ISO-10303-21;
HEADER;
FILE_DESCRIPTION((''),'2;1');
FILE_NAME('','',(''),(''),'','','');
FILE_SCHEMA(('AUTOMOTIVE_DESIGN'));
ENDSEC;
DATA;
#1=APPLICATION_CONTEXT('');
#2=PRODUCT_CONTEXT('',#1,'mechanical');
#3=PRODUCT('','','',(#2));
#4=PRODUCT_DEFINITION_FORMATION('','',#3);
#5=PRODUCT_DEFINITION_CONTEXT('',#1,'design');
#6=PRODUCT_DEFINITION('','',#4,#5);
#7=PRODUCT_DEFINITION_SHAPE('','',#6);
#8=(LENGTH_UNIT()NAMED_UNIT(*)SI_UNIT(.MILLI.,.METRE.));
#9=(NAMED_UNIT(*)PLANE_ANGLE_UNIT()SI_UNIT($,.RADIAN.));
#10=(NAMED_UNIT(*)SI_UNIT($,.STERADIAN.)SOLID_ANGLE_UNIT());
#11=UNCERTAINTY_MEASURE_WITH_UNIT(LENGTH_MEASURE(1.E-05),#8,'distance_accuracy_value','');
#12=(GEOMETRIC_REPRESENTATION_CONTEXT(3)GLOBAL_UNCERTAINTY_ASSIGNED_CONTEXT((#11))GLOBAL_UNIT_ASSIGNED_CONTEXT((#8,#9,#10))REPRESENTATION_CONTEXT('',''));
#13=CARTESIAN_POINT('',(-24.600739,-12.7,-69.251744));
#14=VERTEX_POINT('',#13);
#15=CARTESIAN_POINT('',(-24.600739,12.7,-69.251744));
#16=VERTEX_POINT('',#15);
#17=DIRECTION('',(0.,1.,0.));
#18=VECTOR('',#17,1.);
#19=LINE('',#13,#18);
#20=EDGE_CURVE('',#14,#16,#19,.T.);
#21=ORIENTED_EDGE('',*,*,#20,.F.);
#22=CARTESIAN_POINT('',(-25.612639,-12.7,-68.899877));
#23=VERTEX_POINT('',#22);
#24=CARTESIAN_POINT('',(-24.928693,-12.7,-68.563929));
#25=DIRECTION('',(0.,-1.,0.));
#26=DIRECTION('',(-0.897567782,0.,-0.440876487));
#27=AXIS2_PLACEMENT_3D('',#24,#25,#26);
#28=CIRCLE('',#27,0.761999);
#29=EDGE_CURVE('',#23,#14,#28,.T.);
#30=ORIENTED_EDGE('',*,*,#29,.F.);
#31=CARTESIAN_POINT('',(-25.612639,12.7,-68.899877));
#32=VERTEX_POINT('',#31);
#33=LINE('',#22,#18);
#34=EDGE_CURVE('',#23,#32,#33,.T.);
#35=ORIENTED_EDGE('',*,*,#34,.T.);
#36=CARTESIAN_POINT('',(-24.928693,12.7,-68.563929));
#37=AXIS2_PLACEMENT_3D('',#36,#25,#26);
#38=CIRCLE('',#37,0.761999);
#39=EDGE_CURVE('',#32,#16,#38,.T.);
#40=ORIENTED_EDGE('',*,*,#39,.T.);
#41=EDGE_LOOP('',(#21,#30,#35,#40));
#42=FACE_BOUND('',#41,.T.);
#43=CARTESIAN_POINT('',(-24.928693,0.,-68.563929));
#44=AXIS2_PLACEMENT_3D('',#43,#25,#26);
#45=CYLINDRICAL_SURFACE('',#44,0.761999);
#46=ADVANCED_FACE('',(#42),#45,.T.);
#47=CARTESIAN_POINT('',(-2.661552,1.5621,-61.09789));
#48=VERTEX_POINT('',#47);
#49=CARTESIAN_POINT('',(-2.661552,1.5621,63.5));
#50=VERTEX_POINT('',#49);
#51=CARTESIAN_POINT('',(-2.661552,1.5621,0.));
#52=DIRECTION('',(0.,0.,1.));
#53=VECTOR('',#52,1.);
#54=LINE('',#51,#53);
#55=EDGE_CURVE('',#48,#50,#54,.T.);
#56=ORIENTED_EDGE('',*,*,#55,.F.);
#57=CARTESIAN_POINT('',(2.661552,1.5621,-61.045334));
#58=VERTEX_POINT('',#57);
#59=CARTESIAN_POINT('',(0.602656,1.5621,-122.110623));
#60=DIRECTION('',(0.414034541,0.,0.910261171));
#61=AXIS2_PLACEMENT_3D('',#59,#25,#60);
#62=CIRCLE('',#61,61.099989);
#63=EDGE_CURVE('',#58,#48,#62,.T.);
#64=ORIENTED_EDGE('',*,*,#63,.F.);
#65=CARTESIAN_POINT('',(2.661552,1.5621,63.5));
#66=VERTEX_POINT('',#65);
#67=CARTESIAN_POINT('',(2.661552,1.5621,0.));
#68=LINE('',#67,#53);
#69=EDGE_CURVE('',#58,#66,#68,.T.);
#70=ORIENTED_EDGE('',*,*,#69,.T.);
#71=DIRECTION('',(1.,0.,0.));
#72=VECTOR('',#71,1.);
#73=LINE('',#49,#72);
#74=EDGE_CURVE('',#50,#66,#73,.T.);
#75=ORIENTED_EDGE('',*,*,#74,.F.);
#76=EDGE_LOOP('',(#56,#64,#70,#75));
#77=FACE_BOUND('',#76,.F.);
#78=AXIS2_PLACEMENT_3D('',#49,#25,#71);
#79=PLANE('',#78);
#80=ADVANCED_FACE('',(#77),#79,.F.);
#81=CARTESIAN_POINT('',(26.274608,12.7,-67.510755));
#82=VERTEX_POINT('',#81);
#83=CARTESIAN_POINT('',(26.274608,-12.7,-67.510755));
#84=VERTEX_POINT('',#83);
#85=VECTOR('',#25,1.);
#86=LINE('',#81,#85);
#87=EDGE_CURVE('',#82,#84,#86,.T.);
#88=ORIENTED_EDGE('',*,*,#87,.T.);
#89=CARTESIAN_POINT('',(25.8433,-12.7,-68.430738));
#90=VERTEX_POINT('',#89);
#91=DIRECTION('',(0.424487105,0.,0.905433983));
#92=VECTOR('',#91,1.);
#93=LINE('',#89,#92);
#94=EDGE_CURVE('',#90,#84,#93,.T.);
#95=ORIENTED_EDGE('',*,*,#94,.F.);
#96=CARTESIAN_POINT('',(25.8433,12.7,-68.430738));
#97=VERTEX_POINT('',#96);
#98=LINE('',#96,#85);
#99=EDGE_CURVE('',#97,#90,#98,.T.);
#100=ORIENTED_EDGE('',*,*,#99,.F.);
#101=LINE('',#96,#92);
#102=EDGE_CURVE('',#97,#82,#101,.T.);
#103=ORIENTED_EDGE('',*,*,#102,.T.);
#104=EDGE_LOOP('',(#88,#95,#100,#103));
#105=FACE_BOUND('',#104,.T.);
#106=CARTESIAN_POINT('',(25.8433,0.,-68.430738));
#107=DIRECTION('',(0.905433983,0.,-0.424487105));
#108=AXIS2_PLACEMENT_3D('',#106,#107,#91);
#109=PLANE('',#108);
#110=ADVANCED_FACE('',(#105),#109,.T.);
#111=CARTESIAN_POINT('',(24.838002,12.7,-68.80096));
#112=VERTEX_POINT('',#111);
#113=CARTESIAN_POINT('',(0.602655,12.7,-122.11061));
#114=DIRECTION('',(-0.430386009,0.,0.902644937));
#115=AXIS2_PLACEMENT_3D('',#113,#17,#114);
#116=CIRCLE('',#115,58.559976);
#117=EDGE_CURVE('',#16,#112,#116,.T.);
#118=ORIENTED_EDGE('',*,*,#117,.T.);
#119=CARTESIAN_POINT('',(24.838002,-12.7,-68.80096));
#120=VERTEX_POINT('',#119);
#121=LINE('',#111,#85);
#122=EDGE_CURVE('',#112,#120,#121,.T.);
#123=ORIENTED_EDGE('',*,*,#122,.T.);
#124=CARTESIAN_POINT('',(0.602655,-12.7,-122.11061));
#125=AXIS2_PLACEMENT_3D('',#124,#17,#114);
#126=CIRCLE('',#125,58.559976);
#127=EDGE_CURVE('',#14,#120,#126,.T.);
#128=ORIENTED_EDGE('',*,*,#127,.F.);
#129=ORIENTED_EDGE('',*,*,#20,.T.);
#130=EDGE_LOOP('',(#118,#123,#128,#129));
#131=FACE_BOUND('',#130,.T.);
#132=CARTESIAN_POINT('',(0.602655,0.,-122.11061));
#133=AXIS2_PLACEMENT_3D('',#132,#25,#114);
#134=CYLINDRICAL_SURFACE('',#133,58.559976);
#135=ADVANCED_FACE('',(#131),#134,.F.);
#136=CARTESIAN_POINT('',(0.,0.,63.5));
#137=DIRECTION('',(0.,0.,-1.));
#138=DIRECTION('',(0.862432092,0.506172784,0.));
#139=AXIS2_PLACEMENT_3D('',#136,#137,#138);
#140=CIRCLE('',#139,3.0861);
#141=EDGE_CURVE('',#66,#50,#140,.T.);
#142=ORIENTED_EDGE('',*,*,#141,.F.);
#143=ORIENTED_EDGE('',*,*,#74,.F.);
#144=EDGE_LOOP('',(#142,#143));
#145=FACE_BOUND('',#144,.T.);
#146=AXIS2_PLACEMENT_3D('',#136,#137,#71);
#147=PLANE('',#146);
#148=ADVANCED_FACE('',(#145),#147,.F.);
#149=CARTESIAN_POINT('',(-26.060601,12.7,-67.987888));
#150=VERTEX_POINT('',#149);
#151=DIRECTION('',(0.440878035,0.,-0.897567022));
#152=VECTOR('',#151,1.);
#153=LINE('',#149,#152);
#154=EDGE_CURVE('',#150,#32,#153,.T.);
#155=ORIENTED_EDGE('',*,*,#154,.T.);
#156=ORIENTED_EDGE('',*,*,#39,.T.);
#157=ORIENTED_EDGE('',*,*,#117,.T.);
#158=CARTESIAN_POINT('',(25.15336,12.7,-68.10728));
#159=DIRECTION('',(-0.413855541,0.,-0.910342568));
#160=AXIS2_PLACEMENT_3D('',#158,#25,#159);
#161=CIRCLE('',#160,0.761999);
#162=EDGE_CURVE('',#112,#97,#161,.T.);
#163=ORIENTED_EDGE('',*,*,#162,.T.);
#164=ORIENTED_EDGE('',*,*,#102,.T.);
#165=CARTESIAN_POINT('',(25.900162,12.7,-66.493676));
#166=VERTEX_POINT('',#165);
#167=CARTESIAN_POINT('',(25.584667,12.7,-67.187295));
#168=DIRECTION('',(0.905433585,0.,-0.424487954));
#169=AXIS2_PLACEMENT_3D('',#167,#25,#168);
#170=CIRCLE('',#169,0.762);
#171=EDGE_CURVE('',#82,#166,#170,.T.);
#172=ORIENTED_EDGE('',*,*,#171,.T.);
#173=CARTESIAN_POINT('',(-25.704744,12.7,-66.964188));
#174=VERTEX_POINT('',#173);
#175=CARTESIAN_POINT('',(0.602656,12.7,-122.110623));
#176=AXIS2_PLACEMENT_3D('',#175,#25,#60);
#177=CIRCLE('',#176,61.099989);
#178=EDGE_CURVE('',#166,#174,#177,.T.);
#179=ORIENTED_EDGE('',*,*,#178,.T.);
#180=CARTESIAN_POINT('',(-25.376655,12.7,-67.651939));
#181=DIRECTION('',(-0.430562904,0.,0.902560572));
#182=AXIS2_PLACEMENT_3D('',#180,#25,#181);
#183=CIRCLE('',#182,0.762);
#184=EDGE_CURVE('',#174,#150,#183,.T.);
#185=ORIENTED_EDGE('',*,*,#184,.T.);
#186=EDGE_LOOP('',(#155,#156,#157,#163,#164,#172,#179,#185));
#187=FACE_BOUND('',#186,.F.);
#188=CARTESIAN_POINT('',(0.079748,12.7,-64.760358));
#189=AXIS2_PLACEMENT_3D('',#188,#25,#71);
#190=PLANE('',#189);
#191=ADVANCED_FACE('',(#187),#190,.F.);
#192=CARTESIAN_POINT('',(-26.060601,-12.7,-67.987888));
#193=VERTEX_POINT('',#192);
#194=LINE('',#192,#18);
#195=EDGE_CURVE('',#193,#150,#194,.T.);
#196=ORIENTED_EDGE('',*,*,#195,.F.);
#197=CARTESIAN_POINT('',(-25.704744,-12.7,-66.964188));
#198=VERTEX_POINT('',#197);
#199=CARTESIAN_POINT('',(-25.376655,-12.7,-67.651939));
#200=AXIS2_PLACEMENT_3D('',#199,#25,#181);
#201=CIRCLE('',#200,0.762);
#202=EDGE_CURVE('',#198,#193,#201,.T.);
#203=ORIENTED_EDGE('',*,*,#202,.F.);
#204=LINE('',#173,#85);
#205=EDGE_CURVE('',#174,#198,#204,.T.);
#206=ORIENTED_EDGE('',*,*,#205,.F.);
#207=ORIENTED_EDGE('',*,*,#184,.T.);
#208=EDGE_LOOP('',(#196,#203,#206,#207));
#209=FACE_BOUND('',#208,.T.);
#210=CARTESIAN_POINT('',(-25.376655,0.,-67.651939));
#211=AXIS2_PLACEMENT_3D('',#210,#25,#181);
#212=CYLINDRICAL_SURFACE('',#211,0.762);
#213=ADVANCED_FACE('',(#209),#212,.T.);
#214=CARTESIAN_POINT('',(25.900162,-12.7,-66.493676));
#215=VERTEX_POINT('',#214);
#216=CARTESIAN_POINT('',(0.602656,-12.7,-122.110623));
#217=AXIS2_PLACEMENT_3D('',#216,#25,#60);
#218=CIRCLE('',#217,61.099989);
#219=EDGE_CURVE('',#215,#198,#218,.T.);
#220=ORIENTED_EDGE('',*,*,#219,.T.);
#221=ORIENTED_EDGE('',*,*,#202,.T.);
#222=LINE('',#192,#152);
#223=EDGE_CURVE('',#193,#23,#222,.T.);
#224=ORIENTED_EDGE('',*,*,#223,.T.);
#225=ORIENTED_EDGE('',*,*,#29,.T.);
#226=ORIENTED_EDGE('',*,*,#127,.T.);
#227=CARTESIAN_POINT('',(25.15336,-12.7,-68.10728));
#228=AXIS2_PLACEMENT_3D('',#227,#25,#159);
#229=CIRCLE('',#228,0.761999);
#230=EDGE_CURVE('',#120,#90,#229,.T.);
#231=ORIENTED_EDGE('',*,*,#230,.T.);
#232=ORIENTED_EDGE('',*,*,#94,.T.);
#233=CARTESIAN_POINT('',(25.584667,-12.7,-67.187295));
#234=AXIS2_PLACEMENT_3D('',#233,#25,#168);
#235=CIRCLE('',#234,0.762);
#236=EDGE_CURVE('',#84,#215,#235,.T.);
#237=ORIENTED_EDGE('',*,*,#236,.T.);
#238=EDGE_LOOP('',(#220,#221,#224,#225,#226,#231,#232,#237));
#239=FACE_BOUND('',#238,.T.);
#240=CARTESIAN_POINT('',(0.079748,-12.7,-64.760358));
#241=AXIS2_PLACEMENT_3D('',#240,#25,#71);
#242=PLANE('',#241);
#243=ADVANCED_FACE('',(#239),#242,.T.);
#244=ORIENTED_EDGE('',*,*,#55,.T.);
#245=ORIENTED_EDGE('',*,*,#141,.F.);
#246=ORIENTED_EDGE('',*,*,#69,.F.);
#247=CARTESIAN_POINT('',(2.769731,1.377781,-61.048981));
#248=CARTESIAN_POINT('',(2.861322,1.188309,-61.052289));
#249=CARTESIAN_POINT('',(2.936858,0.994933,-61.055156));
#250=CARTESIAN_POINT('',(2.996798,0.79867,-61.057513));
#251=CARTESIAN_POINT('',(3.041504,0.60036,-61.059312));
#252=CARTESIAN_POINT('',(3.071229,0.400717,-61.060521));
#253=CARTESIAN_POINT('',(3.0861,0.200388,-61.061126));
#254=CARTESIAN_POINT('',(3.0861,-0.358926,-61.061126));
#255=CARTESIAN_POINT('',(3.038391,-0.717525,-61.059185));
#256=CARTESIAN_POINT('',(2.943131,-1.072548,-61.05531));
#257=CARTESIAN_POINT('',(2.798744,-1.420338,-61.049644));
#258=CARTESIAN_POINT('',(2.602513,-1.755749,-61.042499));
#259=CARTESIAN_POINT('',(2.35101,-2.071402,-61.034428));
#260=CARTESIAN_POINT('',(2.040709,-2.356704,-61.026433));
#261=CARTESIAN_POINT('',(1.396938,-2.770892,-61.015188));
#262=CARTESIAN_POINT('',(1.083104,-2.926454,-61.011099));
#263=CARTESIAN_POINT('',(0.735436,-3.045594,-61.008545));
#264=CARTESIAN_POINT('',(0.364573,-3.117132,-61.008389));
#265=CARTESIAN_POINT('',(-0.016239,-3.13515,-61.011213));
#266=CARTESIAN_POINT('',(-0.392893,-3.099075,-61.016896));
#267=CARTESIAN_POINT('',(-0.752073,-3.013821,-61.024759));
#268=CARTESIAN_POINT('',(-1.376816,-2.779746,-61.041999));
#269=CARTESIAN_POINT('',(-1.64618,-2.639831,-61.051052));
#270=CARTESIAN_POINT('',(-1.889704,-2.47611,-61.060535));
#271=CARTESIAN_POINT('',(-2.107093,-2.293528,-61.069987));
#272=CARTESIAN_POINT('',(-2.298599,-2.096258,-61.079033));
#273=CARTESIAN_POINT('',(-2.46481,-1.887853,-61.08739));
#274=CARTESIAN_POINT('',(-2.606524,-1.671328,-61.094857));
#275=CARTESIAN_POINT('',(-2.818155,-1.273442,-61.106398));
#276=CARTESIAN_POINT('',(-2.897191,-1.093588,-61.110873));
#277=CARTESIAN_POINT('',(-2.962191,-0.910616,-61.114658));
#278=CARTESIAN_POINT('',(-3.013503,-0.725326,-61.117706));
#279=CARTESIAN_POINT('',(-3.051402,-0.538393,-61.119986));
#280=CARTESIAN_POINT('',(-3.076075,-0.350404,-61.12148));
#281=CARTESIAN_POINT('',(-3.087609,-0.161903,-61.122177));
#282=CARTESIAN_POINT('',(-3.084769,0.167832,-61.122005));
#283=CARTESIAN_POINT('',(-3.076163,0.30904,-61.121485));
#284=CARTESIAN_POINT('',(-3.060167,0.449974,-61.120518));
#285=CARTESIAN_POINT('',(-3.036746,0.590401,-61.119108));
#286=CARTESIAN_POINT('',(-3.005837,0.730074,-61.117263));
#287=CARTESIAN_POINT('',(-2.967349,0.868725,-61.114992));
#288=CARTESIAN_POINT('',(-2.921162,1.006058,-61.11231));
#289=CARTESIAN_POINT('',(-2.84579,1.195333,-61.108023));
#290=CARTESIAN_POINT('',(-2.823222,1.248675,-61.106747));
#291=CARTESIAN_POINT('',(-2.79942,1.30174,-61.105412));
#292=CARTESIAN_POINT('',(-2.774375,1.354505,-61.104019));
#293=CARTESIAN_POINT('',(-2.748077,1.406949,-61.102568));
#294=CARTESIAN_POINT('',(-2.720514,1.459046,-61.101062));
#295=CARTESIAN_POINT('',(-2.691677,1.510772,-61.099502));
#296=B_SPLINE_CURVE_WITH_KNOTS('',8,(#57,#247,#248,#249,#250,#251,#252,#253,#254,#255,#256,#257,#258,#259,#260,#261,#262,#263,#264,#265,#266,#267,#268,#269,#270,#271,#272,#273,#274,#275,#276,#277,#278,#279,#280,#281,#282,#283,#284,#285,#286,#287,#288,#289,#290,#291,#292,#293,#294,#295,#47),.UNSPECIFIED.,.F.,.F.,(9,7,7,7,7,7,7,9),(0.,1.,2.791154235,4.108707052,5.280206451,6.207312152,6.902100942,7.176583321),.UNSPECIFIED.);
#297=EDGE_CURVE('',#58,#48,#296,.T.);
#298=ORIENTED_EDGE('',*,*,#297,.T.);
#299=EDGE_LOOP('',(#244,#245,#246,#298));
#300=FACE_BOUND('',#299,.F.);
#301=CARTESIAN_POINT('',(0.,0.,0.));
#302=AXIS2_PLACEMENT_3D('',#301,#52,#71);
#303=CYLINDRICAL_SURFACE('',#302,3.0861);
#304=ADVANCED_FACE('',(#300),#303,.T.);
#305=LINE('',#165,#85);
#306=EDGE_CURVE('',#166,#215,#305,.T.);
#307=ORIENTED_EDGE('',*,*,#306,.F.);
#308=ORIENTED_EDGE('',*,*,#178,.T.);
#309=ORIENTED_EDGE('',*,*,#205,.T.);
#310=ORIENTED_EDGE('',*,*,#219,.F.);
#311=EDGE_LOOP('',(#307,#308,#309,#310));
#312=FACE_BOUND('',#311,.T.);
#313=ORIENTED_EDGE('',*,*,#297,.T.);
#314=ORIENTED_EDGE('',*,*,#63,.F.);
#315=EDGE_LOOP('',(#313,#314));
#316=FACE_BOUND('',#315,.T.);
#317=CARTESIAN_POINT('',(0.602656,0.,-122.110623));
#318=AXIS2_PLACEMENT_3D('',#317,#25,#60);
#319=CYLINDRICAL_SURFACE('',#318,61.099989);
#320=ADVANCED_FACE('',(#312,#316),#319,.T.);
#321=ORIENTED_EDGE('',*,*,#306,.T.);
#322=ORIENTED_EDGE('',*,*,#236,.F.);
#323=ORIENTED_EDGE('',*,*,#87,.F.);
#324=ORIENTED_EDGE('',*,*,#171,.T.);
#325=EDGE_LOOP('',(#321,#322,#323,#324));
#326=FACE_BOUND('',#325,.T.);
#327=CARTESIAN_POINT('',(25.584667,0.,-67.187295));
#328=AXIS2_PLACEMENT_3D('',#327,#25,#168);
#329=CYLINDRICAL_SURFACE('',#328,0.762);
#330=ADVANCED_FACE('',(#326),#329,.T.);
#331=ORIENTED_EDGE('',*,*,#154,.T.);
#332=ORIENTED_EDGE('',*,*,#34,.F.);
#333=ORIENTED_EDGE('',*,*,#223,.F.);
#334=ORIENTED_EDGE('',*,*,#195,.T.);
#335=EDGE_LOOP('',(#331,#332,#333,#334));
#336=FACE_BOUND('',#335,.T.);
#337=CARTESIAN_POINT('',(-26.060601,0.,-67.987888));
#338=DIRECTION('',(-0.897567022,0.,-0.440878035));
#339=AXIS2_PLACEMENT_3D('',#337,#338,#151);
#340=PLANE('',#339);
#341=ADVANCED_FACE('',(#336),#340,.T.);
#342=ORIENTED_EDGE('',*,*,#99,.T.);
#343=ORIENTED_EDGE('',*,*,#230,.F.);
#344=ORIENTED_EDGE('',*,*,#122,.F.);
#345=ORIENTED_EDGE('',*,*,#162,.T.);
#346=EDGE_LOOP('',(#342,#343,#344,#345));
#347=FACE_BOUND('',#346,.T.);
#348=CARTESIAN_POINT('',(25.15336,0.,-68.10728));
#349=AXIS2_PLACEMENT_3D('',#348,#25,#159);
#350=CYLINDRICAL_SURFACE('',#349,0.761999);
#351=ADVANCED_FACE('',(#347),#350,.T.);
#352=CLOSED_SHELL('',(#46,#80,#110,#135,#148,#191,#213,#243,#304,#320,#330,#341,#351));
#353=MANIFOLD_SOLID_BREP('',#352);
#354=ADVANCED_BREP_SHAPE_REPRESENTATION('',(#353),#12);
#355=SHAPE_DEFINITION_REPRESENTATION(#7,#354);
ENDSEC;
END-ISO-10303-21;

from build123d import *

# Parameters (mm, degrees)
F0_W     = 3.0861
F0_H     = 127
F3_DEPTH = 150.2156
F5_DEPTH = 12.7


with BuildPart() as f1:
    # F0 (on Front) → F1 (revolve)
    with BuildSketch(Plane.XZ):
        with Locations((1.54305, 0)):
            Rectangle(F0_W, F0_H)
    revolve(axis=Axis((0, 0, 0), (0, 0, -1)))

    # F2 (on face) → F3 (cut)
    with BuildSketch(Plane.XY.offset(63.5)):
        with BuildLine():
            Line((-2.661552, 1.5621), (2.661552, 1.5621))
            ThreePointArc((2.661552, 1.5621), (0, 3.0861), (-2.661552, 1.5621))
        make_face()
    extrude(amount=-F3_DEPTH, mode=Mode.SUBTRACT)

    # F4 (on Front) → F5 (join, symmetric)
    with BuildSketch(Plane.XZ):
        with BuildLine():
            ThreePointArc((-24.600739, -69.251744), (0.068726, -63.553068), (24.838002, -68.80096))
            ThreePointArc((24.838002, -68.80096), (25.416693, -68.822331), (25.8433, -68.430738))
            Line((25.8433, -68.430738), (26.274608, -67.510755))
            ThreePointArc((26.274608, -67.510755), (26.299746, -66.924033), (25.900162, -66.493676))
            ThreePointArc((25.900162, -66.493676), (0.045595, -61.013174), (-25.704744, -66.964188))
            ThreePointArc((-25.704744, -66.964188), (-26.096408, -67.40174), (-26.060601, -67.987888))
            Line((-26.060601, -67.987888), (-25.612639, -68.899877))
            ThreePointArc((-25.612639, -68.899877), (-25.178963, -69.283657), (-24.600739, -69.251744))
        make_face()
    extrude(amount=F5_DEPTH, both=True)


solid = f1.part
